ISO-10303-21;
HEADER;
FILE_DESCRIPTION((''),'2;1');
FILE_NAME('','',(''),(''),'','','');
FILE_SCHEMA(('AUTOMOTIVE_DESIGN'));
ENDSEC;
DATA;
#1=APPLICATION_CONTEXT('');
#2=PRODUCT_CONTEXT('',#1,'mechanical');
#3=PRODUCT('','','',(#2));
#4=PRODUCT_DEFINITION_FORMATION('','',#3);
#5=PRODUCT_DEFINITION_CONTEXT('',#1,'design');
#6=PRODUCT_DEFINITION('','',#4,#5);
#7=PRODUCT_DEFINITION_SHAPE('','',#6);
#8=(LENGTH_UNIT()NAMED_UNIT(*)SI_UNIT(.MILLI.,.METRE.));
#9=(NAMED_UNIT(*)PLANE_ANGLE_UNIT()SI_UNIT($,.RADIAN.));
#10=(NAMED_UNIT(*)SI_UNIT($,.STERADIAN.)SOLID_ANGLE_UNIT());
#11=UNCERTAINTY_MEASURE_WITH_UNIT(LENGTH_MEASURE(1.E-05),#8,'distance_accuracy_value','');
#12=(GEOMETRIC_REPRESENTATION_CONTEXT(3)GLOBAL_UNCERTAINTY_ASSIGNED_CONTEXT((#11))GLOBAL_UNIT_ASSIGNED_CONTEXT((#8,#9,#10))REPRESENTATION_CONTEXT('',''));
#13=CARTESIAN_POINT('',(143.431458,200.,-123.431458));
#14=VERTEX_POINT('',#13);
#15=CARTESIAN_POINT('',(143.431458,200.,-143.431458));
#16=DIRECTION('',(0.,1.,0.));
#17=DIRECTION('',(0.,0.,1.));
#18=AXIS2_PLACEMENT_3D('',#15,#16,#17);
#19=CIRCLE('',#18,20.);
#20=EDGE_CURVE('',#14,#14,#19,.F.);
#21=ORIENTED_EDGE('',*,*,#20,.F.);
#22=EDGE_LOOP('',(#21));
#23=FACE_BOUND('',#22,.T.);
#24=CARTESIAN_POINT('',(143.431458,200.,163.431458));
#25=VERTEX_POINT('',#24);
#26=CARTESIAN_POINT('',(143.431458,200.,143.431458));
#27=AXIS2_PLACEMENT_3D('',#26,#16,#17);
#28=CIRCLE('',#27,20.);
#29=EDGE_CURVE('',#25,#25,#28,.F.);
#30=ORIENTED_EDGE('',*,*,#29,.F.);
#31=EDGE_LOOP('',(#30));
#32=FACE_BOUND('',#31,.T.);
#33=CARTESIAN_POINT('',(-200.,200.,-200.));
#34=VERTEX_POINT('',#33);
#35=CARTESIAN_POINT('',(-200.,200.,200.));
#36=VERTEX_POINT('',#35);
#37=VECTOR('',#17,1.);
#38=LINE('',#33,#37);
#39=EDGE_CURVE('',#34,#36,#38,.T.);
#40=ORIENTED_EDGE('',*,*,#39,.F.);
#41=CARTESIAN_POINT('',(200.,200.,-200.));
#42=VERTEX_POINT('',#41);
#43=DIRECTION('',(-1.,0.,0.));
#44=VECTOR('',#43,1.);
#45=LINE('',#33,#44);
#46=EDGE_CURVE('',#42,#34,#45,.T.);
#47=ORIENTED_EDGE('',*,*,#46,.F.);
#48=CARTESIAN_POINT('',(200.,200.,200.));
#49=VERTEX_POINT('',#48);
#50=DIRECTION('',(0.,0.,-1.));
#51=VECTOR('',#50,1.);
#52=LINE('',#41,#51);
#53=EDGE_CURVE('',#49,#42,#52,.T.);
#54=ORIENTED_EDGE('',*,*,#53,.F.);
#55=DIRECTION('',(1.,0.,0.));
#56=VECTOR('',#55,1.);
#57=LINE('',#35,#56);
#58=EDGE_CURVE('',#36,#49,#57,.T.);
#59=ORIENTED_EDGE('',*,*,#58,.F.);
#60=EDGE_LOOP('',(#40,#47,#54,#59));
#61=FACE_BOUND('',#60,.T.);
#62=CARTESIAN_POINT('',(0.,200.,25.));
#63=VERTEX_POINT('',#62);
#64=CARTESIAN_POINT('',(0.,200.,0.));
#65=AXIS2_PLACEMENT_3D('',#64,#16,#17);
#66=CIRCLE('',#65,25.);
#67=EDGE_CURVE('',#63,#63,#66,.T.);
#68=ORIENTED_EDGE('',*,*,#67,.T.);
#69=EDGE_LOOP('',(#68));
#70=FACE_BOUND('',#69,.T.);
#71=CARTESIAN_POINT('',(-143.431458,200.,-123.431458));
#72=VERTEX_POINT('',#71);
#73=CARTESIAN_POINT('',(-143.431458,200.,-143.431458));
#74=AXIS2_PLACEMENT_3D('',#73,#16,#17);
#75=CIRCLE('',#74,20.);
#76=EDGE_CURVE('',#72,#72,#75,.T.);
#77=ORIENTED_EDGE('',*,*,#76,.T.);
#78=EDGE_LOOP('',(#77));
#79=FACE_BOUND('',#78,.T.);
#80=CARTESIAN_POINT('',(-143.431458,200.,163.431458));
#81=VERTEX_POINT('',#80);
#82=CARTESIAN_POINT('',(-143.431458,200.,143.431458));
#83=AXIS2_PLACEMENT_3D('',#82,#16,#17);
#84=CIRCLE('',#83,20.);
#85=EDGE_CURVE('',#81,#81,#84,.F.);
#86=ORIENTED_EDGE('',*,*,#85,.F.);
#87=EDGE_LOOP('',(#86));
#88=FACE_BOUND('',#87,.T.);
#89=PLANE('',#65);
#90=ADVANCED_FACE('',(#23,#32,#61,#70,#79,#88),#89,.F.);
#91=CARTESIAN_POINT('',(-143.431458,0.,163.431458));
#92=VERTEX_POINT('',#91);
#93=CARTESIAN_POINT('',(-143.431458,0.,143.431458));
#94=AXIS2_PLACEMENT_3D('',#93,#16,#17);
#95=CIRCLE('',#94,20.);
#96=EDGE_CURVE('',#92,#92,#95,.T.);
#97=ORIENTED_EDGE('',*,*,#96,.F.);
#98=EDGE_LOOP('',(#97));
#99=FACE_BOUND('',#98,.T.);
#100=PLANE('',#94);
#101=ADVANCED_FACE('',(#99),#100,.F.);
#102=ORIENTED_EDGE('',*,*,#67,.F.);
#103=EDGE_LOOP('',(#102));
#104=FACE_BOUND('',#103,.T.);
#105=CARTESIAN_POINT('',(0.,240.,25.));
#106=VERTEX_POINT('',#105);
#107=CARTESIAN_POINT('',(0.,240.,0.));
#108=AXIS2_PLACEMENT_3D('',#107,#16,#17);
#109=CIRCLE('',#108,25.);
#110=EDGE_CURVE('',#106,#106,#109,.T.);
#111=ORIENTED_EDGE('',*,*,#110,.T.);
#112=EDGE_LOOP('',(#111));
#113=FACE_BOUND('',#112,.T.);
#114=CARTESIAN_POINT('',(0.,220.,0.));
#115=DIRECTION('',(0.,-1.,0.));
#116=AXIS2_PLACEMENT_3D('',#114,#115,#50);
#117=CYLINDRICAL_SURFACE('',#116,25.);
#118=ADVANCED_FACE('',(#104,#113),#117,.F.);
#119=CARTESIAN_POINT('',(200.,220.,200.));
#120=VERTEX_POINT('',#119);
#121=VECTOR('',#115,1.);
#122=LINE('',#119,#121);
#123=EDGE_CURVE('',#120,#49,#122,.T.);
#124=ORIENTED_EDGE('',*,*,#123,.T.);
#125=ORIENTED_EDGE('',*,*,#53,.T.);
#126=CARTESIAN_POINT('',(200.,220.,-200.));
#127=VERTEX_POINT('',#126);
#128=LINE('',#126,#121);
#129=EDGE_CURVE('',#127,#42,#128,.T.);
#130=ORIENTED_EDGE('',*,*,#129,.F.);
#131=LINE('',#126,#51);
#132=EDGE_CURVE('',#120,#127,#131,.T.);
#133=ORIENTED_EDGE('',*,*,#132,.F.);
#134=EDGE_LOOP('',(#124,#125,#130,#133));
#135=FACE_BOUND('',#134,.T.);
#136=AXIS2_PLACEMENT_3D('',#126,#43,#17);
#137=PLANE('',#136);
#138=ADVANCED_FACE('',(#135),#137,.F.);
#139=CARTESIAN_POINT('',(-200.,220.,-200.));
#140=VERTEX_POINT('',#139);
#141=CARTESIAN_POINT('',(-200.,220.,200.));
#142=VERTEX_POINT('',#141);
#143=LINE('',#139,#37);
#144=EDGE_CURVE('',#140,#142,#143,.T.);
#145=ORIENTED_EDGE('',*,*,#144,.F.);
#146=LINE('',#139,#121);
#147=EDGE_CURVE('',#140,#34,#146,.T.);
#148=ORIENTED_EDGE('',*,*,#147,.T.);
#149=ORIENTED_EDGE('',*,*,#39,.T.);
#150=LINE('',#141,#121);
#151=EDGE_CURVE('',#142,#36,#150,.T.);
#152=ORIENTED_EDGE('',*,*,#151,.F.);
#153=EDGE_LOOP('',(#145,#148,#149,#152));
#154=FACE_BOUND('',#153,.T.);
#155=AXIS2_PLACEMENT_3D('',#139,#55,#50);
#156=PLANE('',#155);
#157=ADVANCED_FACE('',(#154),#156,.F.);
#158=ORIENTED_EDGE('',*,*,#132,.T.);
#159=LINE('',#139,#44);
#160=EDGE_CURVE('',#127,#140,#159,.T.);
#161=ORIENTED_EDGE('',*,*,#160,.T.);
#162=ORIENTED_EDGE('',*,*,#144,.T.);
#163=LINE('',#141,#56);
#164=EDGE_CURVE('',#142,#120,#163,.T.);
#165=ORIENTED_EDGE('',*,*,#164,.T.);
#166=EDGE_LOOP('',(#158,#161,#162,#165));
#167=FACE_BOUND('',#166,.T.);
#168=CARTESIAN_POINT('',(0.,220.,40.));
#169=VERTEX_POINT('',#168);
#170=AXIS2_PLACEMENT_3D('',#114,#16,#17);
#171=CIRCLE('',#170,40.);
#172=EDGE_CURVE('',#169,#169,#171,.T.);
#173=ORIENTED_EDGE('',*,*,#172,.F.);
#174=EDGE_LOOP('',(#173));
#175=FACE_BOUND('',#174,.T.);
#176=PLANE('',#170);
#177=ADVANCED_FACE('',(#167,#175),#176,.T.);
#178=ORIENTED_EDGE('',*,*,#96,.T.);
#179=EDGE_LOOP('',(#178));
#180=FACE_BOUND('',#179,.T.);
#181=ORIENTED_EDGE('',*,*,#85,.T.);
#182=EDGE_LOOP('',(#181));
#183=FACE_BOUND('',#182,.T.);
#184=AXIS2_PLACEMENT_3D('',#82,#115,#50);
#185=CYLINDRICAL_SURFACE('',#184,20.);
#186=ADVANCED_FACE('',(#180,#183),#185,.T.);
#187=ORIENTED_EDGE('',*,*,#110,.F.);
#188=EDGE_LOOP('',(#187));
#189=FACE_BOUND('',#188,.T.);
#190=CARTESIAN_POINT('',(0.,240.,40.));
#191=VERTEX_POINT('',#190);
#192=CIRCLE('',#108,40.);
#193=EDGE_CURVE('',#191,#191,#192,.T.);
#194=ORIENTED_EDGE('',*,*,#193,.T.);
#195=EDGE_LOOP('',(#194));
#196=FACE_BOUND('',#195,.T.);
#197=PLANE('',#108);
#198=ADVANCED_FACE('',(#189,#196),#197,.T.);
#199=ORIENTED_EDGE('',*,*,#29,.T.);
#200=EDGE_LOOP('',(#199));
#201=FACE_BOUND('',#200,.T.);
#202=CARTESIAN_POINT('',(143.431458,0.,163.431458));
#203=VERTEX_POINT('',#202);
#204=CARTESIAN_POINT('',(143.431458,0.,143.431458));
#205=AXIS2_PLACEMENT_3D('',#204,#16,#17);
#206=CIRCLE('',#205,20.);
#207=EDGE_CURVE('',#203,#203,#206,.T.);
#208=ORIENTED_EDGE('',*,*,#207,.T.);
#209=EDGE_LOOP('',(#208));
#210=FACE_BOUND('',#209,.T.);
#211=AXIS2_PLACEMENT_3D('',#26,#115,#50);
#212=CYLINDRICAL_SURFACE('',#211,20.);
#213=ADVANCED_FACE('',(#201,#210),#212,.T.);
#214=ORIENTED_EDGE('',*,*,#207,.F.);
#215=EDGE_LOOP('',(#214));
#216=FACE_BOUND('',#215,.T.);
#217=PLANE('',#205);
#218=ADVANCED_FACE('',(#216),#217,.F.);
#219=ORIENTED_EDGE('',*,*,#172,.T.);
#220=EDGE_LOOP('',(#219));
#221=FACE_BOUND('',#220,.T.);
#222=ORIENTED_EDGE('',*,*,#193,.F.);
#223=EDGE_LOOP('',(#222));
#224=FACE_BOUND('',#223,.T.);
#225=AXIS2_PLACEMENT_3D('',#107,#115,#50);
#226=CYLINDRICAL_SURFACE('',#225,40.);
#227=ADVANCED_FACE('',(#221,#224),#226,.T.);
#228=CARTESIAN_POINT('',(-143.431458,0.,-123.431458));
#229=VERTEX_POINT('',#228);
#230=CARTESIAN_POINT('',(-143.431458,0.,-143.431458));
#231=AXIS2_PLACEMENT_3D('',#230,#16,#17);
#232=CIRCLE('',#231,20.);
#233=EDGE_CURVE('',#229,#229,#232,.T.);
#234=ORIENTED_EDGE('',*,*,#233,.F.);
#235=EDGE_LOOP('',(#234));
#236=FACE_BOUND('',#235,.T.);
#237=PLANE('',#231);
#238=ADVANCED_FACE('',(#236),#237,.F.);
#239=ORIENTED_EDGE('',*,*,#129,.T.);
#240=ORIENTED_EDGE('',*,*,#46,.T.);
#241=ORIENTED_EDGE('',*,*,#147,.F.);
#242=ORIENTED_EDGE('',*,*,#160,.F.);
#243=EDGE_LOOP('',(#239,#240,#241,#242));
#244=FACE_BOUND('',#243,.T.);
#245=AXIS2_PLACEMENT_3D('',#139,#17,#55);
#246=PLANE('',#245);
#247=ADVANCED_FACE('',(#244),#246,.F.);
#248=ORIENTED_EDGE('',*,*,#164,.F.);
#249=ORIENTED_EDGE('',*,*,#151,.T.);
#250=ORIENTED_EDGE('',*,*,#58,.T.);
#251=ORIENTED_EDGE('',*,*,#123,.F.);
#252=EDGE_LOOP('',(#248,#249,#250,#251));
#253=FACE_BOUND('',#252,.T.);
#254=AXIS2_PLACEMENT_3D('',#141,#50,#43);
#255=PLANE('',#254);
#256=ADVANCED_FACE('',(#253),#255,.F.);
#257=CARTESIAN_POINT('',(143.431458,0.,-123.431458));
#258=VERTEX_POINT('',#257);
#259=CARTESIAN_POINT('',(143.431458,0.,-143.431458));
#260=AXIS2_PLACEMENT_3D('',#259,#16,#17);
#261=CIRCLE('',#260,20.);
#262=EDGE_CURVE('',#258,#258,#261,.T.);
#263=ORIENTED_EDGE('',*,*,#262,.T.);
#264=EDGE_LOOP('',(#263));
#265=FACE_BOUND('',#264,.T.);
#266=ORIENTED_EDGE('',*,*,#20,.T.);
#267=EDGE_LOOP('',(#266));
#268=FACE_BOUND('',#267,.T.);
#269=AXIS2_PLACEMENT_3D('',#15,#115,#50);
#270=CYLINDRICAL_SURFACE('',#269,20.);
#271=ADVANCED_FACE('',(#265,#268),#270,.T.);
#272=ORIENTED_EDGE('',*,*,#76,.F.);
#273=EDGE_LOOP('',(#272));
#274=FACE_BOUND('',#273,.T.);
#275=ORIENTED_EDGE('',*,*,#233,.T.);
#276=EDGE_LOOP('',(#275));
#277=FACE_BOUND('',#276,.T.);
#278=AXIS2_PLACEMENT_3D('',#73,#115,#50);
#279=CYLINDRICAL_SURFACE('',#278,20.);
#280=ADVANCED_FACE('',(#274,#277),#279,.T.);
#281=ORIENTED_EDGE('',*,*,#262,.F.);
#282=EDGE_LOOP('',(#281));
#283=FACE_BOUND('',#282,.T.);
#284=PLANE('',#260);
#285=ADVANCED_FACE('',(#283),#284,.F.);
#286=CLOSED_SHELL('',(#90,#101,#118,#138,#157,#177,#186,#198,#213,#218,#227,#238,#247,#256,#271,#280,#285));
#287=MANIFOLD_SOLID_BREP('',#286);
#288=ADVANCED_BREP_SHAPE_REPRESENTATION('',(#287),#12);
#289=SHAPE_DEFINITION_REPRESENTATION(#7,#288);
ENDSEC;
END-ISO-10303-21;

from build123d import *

# Parameters (mm, degrees)
SKETCH1_R             = 20
BOSS_EXTRUDE1_DEPTH   = 200
BOSS_EXTRUDE1_2_DEPTH = 200
BOSS_EXTRUDE1_3_DEPTH = 200
BOSS_EXTRUDE1_4_DEPTH = 200
SKETCH2_W             = 400
SKETCH2_H             = 400
SKETCH2_R             = 25
BOSS_EXTRUDE2_DEPTH   = 20
SKETCH3_R             = 40
SKETCH3_R_2           = 25
BOSS_EXTRUDE3_DEPTH   = 20


with BuildPart() as part:
    # Sketch1 → Boss-Extrude1 (new body)
    with BuildSketch(Plane(origin=(0, 0, 0), x_dir=(1, 0, 0), z_dir=(0, 1, 0))):
        with Locations((-143.431457505, 143.431457505)):
            Circle(SKETCH1_R)
    extrude(amount=BOSS_EXTRUDE1_DEPTH)



with BuildPart() as body_2:
    # Sketch1 → Boss-Extrude1 2 (new body)
    with BuildSketch(Plane(origin=(0, 0, 0), x_dir=(1, 0, 0), z_dir=(0, 1, 0))):
        with Locations((-143.431457505, -143.431457505)):
            Circle(SKETCH1_R)
    extrude(amount=BOSS_EXTRUDE1_2_DEPTH)


with BuildPart() as body_3:
    # Sketch1 → Boss-Extrude1 3 (new body)
    with BuildSketch(Plane(origin=(0, 0, 0), x_dir=(1, 0, 0), z_dir=(0, 1, 0))):
        with Locations((143.431457505, -143.431457505)):
            Circle(SKETCH1_R)
    extrude(amount=BOSS_EXTRUDE1_3_DEPTH)


with BuildPart() as body_4:
    # Sketch1 → Boss-Extrude1 4 (new body)
    with BuildSketch(Plane(origin=(0, 0, 0), x_dir=(1, 0, 0), z_dir=(0, 1, 0))):
        with Locations((143.431457505, 143.431457505)):
            Circle(SKETCH1_R)
    extrude(amount=BOSS_EXTRUDE1_4_DEPTH)


with BuildPart() as part_1:
    add(part.part)

    add(body_2.part)  # Boss-Extrude2 merges body 2

    add(body_3.part)  # Boss-Extrude2 merges body 3

    add(body_4.part)  # Boss-Extrude2 merges body 4
    # Sketch2 → Boss-Extrude2 (add)
    with BuildSketch(Plane(origin=(0, 200, 0), x_dir=(1, 0, 0), z_dir=(0, 1, 0))):
        Rectangle(SKETCH2_W, SKETCH2_H)
        Circle(SKETCH2_R, mode=Mode.SUBTRACT)
    extrude(amount=BOSS_EXTRUDE2_DEPTH)

    # Sketch3 → Boss-Extrude3 (add)
    with BuildSketch(Plane(origin=(0, 220, 0), x_dir=(1, 0, 0), z_dir=(0, 1, 0))):
        Circle(SKETCH3_R)
        Circle(SKETCH3_R_2, mode=Mode.SUBTRACT)
    extrude(amount=BOSS_EXTRUDE3_DEPTH)


solid = part_1.part
